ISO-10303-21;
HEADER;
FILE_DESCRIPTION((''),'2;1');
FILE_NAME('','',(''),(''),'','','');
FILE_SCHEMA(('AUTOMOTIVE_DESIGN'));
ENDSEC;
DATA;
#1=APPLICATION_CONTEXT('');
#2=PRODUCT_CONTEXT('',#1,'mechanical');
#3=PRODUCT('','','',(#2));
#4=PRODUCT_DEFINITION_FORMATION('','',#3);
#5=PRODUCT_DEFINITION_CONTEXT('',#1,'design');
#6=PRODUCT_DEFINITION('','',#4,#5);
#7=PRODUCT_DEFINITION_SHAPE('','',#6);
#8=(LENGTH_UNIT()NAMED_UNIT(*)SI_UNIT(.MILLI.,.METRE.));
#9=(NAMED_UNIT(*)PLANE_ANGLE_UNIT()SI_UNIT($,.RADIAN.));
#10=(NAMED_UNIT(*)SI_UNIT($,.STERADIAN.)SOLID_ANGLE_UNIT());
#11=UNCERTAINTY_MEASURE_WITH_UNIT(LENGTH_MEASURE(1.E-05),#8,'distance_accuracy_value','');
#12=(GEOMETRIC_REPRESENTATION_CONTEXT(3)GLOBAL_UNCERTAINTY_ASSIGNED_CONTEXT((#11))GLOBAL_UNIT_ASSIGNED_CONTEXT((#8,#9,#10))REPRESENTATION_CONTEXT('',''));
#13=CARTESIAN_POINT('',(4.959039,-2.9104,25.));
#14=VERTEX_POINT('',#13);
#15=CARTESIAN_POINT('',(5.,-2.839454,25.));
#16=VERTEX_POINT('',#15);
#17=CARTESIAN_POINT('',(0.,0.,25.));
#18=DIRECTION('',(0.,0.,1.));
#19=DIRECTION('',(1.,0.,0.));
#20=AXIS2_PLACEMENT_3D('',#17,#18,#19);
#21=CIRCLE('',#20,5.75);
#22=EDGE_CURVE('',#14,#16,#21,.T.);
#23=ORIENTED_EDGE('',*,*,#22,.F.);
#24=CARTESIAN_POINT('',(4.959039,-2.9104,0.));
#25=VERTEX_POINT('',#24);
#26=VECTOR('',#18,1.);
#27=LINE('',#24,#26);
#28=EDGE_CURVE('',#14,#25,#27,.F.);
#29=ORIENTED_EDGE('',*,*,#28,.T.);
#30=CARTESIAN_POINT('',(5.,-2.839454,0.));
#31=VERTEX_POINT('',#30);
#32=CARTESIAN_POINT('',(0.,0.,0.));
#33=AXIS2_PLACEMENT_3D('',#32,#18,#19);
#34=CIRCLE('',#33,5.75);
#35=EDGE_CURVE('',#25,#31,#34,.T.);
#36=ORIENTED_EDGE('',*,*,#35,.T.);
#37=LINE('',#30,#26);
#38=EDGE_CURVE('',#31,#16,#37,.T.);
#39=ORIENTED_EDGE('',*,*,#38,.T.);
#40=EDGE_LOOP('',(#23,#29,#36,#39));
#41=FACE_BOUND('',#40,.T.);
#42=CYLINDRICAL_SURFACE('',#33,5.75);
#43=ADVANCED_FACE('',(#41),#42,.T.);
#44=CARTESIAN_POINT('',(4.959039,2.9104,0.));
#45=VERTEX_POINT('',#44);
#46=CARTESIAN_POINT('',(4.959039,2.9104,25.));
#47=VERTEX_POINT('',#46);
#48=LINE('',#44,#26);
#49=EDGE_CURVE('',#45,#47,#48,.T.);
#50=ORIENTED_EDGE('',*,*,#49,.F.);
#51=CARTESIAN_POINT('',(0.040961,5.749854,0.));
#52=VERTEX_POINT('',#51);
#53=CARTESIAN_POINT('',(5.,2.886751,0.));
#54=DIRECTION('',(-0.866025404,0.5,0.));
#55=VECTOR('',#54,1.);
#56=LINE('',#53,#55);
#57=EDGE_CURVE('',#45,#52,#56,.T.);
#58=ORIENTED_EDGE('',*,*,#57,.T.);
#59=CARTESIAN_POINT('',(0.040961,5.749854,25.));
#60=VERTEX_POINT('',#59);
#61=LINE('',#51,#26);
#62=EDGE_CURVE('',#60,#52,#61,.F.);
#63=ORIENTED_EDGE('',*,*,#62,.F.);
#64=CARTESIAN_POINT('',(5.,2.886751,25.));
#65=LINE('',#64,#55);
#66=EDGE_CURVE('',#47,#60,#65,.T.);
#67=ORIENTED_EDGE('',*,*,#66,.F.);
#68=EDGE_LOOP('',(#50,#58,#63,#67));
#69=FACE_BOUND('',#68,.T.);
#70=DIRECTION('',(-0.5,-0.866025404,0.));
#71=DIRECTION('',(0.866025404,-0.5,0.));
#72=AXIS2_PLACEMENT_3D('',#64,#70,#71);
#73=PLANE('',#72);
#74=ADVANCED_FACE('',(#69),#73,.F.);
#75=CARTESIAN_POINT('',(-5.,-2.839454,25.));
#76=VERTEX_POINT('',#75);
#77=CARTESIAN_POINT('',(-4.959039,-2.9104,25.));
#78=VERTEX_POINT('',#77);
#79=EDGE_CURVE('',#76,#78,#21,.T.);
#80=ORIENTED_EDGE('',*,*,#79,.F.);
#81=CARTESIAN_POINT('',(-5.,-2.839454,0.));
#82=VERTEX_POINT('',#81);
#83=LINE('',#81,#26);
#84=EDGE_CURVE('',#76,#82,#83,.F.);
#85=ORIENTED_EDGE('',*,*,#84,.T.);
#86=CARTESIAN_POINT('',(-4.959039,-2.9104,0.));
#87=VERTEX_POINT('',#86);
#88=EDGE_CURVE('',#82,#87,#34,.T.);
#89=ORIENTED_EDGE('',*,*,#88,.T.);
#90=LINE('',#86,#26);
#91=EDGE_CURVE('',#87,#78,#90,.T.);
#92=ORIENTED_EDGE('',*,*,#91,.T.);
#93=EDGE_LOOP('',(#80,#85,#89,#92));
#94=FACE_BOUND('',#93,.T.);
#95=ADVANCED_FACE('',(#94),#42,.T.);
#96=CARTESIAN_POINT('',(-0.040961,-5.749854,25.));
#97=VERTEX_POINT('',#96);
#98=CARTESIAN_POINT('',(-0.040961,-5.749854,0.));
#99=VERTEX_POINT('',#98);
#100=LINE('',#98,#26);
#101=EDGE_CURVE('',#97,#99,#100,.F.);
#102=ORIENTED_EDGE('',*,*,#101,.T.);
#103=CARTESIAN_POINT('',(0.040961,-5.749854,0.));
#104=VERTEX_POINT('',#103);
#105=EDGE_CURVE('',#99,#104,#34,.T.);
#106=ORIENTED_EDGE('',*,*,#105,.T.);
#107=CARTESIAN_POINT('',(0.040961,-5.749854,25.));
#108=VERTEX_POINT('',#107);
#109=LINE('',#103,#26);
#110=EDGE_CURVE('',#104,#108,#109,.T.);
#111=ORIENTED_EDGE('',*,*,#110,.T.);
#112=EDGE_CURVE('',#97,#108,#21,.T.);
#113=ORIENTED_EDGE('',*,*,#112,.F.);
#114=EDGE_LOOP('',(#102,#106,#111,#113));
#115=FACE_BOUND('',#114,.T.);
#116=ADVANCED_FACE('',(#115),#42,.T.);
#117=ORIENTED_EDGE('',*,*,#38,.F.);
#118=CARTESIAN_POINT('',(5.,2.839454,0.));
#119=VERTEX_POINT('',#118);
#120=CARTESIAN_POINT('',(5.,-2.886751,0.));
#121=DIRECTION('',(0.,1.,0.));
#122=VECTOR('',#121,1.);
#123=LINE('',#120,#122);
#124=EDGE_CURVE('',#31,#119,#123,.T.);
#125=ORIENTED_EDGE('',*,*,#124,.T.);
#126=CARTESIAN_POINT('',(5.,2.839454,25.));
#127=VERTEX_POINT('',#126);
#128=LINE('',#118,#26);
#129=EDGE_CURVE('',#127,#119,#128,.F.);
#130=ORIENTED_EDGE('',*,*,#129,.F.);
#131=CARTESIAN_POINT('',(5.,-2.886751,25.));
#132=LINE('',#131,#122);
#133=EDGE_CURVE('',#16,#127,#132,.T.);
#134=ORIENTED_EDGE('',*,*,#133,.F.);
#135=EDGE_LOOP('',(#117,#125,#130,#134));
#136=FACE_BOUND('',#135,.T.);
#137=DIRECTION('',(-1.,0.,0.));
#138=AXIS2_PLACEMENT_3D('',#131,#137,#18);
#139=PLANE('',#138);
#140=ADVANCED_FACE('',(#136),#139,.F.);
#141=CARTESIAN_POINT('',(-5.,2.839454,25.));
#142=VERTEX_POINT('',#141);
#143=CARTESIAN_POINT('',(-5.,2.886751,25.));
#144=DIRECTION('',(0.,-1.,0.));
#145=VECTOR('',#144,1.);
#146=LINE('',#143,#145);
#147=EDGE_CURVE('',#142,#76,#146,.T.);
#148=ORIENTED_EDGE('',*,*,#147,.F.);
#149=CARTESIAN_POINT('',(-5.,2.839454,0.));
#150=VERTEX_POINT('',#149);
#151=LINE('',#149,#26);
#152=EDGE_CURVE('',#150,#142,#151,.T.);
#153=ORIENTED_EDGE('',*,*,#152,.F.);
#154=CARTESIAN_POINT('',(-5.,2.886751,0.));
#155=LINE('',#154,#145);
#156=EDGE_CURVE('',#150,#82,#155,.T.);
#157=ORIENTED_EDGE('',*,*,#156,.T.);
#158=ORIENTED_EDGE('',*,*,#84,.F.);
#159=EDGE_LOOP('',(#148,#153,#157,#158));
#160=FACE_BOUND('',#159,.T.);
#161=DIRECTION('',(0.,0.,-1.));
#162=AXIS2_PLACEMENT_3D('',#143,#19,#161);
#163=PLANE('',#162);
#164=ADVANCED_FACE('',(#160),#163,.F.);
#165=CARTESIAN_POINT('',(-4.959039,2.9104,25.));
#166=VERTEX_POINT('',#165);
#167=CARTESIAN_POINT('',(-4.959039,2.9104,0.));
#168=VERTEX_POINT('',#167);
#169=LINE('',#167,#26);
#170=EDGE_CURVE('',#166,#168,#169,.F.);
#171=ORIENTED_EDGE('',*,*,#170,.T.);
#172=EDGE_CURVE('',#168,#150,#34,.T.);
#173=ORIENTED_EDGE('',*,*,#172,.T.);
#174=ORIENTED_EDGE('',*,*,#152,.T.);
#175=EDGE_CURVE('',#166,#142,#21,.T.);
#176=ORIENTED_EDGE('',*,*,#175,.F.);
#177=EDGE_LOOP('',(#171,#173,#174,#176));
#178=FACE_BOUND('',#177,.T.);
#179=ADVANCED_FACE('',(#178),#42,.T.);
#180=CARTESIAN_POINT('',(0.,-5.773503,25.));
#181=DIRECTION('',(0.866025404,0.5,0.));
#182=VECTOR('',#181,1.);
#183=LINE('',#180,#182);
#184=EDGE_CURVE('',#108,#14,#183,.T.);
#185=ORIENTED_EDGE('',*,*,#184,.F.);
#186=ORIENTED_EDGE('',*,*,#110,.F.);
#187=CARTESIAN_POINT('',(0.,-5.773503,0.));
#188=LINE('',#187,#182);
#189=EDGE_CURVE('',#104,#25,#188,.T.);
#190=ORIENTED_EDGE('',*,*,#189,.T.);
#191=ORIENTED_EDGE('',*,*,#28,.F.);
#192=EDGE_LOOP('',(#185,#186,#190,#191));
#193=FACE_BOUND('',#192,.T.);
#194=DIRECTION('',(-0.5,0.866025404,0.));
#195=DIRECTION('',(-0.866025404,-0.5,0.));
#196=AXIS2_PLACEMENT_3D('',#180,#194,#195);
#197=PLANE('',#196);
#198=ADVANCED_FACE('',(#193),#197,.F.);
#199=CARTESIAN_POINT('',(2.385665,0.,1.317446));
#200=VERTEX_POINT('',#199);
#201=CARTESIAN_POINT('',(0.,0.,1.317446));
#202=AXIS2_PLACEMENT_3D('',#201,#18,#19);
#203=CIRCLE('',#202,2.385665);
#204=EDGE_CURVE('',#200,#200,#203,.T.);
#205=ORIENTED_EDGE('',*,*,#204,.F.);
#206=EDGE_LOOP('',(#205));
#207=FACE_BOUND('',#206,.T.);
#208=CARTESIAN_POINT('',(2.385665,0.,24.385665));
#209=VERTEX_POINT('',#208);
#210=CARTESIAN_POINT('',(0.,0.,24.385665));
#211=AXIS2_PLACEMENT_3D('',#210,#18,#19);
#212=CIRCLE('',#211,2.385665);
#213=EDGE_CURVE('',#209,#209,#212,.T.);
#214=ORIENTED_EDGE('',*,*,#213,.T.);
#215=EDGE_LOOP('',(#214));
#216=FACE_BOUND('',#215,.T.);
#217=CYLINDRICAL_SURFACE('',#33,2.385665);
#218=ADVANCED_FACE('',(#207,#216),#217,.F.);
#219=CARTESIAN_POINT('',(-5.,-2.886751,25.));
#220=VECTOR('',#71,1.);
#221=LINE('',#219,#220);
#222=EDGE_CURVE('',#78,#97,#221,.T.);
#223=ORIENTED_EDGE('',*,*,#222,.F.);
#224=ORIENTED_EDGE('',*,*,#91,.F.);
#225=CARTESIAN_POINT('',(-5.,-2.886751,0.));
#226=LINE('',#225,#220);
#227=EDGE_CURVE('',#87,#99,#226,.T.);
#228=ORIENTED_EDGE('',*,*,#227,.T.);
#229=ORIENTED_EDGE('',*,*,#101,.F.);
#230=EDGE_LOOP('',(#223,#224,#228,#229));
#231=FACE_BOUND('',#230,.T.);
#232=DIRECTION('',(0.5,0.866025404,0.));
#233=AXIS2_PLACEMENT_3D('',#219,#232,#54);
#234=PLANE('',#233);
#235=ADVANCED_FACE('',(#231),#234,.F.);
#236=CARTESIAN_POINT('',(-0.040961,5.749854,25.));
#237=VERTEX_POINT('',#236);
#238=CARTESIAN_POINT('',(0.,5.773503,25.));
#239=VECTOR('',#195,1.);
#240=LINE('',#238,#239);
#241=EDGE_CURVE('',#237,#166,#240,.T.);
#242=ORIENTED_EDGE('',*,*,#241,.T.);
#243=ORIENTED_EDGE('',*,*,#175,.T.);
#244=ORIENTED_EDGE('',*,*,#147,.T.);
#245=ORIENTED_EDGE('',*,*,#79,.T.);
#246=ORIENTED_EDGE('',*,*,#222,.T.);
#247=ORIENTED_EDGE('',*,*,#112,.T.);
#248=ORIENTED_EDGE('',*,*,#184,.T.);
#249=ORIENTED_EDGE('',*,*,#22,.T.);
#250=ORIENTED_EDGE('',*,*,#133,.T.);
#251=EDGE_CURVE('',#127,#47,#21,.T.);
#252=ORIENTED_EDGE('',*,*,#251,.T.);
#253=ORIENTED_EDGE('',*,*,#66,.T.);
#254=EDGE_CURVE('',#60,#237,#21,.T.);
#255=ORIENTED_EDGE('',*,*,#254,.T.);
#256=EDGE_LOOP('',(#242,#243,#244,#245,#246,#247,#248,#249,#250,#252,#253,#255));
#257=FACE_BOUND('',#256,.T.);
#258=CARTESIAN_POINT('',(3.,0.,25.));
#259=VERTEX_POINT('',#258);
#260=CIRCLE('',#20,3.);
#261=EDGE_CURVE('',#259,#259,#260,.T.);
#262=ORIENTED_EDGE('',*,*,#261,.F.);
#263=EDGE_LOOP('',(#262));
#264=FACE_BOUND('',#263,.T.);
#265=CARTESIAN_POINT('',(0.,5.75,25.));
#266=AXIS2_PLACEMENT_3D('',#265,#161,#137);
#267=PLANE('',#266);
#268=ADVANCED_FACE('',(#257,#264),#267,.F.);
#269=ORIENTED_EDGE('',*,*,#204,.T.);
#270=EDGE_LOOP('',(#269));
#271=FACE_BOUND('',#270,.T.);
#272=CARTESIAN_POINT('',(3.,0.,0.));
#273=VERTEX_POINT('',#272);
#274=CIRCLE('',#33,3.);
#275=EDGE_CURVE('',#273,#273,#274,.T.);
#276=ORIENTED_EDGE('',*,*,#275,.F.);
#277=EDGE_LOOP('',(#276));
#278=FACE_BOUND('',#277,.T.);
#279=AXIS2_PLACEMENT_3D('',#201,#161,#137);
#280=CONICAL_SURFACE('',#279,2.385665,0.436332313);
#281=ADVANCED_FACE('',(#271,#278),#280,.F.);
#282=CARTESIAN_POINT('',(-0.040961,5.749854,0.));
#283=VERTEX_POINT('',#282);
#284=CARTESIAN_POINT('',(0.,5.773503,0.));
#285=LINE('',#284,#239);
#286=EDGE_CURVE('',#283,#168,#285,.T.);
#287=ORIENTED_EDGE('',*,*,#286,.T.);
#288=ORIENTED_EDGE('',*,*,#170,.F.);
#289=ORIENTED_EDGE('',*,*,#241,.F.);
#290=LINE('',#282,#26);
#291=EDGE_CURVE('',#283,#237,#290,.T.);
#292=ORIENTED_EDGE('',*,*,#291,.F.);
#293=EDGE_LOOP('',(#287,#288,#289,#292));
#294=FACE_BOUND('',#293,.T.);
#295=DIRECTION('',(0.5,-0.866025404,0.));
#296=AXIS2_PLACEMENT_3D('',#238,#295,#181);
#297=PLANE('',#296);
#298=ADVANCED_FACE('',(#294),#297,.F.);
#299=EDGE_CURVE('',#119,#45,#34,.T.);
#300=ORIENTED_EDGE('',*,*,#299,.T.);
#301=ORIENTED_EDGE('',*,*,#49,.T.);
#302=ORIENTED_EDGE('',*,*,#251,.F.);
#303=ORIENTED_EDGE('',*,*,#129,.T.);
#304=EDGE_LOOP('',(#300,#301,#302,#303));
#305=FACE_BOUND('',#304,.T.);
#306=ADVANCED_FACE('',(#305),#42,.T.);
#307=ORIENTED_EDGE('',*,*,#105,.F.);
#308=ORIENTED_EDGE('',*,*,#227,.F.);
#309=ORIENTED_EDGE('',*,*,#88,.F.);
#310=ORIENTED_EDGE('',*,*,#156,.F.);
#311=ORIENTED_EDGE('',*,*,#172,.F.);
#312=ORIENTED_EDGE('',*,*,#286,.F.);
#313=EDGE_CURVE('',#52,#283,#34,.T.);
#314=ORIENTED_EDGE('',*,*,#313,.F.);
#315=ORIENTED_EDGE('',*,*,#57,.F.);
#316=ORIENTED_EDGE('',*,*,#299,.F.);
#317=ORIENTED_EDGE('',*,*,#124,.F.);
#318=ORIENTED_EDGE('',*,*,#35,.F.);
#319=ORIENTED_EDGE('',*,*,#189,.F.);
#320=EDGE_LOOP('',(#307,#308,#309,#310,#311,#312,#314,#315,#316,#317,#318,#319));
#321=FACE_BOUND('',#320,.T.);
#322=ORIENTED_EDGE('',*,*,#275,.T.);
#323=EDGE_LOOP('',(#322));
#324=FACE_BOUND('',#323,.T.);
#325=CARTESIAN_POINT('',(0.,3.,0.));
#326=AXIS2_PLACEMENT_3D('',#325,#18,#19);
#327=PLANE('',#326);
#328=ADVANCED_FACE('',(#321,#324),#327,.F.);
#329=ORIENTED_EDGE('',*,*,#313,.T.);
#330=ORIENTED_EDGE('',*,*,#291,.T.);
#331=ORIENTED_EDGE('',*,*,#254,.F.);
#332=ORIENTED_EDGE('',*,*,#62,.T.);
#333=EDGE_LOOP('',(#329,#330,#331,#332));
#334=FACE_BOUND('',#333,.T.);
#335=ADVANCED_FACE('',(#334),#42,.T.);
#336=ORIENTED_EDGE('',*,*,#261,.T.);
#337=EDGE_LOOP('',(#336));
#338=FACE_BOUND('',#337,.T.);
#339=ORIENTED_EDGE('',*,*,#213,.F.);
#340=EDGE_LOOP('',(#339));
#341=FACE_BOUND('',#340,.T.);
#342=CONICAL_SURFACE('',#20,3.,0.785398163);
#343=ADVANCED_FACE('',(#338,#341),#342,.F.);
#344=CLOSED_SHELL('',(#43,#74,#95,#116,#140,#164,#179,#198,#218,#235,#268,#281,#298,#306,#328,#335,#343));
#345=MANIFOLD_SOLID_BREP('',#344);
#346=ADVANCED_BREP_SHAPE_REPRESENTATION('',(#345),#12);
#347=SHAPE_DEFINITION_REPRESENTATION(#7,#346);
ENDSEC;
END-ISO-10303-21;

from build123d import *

# Parameters (mm, degrees)
SKETCH2_W          = 20
SKETCH2_H          = 20
CUT_EXTRUDE1_DEPTH = 25


with BuildPart() as part:
    # Sketch1 → Revolve1 (revolve)
    with BuildSketch(Plane(origin=(0, 0, 0), x_dir=(0, 0, -1), z_dir=(1, 0, 0))):
        Polygon((-25, 3), (-24.385665, 2.385665), (-1.317445659, 2.385665), (0, 3), (0, 5.75), (-25, 5.75), align=None)
    revolve(axis=Axis((0, 0, 0), (0, 0, 1)))

    # Sketch2 → Cut-Extrude1 (cut)
    with BuildSketch(Plane.XY):
        Rectangle(SKETCH2_W, SKETCH2_H)
        Polygon((-5, 2.886751346), (-5, -2.886751346), (0, -5.773502692), (5, -2.886751346), (5, 2.886751346), (0, 5.773502692), align=None, mode=Mode.SUBTRACT)
    extrude(amount=CUT_EXTRUDE1_DEPTH, mode=Mode.SUBTRACT)


solid = part.part
